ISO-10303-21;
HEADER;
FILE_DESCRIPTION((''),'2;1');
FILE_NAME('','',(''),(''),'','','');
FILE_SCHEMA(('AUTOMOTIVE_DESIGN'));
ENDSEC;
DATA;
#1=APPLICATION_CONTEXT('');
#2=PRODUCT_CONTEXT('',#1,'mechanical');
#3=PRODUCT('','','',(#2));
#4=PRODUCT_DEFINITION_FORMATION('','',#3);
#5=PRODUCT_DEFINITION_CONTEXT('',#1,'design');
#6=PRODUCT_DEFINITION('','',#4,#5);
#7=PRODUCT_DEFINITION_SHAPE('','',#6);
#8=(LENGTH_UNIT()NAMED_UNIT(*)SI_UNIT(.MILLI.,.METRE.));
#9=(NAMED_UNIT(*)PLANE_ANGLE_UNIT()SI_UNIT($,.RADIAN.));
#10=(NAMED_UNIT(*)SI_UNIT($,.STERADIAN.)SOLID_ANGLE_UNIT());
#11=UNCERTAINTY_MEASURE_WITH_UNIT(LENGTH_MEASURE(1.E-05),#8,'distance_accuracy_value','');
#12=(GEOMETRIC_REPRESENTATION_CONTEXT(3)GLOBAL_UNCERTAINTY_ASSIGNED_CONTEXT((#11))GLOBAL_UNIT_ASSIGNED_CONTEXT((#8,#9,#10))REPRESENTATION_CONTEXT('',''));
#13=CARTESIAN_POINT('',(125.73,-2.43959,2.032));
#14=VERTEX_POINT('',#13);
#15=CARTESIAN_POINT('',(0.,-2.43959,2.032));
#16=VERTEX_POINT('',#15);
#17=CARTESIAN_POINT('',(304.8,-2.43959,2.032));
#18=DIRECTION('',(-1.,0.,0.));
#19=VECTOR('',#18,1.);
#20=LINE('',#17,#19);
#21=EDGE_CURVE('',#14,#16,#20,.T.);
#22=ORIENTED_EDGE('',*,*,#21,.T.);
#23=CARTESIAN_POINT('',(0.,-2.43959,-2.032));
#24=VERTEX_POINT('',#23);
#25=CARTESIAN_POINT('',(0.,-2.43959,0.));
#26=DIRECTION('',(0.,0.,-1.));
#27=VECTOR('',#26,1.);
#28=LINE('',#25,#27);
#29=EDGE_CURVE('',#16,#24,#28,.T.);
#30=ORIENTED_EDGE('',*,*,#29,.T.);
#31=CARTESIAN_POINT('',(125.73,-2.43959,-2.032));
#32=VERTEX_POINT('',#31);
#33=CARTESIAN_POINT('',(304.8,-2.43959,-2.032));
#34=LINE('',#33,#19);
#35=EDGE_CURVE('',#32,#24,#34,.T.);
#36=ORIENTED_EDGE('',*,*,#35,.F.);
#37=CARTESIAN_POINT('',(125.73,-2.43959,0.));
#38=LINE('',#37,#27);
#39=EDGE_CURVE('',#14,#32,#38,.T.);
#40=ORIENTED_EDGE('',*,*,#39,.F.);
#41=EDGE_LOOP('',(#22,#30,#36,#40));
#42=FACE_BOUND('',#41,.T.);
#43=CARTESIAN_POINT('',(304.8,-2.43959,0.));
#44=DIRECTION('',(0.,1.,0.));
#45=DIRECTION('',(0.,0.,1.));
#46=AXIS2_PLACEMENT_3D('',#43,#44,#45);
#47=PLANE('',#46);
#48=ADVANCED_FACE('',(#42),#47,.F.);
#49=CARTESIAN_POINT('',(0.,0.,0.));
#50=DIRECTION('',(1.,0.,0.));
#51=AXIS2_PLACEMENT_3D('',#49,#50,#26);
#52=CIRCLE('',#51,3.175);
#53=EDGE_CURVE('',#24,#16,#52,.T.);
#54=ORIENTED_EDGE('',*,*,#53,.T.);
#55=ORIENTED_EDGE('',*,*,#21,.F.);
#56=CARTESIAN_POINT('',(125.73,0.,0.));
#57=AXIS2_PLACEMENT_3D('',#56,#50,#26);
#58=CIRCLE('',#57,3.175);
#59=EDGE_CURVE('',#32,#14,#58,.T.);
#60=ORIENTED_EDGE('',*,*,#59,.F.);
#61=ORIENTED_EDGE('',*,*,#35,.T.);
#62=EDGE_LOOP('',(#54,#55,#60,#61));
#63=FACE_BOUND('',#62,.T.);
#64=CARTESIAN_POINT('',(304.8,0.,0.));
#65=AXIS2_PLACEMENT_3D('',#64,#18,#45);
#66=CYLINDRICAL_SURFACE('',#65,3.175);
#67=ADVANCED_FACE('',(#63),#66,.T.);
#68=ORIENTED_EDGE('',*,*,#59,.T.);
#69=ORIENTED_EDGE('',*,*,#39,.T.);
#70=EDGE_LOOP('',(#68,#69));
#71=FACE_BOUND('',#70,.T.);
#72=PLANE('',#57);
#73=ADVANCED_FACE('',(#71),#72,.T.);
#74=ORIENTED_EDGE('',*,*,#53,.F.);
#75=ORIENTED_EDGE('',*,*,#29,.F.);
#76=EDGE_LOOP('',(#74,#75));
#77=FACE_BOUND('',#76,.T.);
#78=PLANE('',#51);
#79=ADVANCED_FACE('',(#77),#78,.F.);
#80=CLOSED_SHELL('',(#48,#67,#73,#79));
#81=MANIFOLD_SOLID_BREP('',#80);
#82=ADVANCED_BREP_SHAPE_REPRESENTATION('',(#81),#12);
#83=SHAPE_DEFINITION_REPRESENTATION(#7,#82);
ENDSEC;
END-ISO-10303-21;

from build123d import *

# Parameters (mm, degrees)
BOSS_EXTRUDE1_DEPTH = 304.8
CUT_EXTRUDE3_START  = -179.07
SKETCH4_R           = 3.175
CUT_EXTRUDE3_DEPTH  = 179.07


with BuildPart() as part:
    # Sketch1 → Boss-Extrude1 (new body)
    with BuildSketch(Plane(origin=(0, 0, 0), x_dir=(0, 0, -1), z_dir=(1, 0, 0))):
        with BuildLine():
            ThreePointArc((3.175, 0), (-1.347038418, 2.875084781), (-2.032, -2.439590334))
            Line((-2.032, -2.439590334), (2.032, -2.439590334))
            ThreePointArc((2.032, -2.439590334), (2.875084781, -1.347038418), (3.175, 0))
        make_face()
    extrude(amount=BOSS_EXTRUDE1_DEPTH)

    # Sketch4 → Cut-Extrude3 (cut)
    with BuildSketch(Plane(origin=(304.8, 0, 0), x_dir=(0, 0, -1), z_dir=(1, 0, 0)).offset(CUT_EXTRUDE3_START)):
        Circle(SKETCH4_R)
    extrude(amount=CUT_EXTRUDE3_DEPTH, mode=Mode.SUBTRACT)


solid = part.part
